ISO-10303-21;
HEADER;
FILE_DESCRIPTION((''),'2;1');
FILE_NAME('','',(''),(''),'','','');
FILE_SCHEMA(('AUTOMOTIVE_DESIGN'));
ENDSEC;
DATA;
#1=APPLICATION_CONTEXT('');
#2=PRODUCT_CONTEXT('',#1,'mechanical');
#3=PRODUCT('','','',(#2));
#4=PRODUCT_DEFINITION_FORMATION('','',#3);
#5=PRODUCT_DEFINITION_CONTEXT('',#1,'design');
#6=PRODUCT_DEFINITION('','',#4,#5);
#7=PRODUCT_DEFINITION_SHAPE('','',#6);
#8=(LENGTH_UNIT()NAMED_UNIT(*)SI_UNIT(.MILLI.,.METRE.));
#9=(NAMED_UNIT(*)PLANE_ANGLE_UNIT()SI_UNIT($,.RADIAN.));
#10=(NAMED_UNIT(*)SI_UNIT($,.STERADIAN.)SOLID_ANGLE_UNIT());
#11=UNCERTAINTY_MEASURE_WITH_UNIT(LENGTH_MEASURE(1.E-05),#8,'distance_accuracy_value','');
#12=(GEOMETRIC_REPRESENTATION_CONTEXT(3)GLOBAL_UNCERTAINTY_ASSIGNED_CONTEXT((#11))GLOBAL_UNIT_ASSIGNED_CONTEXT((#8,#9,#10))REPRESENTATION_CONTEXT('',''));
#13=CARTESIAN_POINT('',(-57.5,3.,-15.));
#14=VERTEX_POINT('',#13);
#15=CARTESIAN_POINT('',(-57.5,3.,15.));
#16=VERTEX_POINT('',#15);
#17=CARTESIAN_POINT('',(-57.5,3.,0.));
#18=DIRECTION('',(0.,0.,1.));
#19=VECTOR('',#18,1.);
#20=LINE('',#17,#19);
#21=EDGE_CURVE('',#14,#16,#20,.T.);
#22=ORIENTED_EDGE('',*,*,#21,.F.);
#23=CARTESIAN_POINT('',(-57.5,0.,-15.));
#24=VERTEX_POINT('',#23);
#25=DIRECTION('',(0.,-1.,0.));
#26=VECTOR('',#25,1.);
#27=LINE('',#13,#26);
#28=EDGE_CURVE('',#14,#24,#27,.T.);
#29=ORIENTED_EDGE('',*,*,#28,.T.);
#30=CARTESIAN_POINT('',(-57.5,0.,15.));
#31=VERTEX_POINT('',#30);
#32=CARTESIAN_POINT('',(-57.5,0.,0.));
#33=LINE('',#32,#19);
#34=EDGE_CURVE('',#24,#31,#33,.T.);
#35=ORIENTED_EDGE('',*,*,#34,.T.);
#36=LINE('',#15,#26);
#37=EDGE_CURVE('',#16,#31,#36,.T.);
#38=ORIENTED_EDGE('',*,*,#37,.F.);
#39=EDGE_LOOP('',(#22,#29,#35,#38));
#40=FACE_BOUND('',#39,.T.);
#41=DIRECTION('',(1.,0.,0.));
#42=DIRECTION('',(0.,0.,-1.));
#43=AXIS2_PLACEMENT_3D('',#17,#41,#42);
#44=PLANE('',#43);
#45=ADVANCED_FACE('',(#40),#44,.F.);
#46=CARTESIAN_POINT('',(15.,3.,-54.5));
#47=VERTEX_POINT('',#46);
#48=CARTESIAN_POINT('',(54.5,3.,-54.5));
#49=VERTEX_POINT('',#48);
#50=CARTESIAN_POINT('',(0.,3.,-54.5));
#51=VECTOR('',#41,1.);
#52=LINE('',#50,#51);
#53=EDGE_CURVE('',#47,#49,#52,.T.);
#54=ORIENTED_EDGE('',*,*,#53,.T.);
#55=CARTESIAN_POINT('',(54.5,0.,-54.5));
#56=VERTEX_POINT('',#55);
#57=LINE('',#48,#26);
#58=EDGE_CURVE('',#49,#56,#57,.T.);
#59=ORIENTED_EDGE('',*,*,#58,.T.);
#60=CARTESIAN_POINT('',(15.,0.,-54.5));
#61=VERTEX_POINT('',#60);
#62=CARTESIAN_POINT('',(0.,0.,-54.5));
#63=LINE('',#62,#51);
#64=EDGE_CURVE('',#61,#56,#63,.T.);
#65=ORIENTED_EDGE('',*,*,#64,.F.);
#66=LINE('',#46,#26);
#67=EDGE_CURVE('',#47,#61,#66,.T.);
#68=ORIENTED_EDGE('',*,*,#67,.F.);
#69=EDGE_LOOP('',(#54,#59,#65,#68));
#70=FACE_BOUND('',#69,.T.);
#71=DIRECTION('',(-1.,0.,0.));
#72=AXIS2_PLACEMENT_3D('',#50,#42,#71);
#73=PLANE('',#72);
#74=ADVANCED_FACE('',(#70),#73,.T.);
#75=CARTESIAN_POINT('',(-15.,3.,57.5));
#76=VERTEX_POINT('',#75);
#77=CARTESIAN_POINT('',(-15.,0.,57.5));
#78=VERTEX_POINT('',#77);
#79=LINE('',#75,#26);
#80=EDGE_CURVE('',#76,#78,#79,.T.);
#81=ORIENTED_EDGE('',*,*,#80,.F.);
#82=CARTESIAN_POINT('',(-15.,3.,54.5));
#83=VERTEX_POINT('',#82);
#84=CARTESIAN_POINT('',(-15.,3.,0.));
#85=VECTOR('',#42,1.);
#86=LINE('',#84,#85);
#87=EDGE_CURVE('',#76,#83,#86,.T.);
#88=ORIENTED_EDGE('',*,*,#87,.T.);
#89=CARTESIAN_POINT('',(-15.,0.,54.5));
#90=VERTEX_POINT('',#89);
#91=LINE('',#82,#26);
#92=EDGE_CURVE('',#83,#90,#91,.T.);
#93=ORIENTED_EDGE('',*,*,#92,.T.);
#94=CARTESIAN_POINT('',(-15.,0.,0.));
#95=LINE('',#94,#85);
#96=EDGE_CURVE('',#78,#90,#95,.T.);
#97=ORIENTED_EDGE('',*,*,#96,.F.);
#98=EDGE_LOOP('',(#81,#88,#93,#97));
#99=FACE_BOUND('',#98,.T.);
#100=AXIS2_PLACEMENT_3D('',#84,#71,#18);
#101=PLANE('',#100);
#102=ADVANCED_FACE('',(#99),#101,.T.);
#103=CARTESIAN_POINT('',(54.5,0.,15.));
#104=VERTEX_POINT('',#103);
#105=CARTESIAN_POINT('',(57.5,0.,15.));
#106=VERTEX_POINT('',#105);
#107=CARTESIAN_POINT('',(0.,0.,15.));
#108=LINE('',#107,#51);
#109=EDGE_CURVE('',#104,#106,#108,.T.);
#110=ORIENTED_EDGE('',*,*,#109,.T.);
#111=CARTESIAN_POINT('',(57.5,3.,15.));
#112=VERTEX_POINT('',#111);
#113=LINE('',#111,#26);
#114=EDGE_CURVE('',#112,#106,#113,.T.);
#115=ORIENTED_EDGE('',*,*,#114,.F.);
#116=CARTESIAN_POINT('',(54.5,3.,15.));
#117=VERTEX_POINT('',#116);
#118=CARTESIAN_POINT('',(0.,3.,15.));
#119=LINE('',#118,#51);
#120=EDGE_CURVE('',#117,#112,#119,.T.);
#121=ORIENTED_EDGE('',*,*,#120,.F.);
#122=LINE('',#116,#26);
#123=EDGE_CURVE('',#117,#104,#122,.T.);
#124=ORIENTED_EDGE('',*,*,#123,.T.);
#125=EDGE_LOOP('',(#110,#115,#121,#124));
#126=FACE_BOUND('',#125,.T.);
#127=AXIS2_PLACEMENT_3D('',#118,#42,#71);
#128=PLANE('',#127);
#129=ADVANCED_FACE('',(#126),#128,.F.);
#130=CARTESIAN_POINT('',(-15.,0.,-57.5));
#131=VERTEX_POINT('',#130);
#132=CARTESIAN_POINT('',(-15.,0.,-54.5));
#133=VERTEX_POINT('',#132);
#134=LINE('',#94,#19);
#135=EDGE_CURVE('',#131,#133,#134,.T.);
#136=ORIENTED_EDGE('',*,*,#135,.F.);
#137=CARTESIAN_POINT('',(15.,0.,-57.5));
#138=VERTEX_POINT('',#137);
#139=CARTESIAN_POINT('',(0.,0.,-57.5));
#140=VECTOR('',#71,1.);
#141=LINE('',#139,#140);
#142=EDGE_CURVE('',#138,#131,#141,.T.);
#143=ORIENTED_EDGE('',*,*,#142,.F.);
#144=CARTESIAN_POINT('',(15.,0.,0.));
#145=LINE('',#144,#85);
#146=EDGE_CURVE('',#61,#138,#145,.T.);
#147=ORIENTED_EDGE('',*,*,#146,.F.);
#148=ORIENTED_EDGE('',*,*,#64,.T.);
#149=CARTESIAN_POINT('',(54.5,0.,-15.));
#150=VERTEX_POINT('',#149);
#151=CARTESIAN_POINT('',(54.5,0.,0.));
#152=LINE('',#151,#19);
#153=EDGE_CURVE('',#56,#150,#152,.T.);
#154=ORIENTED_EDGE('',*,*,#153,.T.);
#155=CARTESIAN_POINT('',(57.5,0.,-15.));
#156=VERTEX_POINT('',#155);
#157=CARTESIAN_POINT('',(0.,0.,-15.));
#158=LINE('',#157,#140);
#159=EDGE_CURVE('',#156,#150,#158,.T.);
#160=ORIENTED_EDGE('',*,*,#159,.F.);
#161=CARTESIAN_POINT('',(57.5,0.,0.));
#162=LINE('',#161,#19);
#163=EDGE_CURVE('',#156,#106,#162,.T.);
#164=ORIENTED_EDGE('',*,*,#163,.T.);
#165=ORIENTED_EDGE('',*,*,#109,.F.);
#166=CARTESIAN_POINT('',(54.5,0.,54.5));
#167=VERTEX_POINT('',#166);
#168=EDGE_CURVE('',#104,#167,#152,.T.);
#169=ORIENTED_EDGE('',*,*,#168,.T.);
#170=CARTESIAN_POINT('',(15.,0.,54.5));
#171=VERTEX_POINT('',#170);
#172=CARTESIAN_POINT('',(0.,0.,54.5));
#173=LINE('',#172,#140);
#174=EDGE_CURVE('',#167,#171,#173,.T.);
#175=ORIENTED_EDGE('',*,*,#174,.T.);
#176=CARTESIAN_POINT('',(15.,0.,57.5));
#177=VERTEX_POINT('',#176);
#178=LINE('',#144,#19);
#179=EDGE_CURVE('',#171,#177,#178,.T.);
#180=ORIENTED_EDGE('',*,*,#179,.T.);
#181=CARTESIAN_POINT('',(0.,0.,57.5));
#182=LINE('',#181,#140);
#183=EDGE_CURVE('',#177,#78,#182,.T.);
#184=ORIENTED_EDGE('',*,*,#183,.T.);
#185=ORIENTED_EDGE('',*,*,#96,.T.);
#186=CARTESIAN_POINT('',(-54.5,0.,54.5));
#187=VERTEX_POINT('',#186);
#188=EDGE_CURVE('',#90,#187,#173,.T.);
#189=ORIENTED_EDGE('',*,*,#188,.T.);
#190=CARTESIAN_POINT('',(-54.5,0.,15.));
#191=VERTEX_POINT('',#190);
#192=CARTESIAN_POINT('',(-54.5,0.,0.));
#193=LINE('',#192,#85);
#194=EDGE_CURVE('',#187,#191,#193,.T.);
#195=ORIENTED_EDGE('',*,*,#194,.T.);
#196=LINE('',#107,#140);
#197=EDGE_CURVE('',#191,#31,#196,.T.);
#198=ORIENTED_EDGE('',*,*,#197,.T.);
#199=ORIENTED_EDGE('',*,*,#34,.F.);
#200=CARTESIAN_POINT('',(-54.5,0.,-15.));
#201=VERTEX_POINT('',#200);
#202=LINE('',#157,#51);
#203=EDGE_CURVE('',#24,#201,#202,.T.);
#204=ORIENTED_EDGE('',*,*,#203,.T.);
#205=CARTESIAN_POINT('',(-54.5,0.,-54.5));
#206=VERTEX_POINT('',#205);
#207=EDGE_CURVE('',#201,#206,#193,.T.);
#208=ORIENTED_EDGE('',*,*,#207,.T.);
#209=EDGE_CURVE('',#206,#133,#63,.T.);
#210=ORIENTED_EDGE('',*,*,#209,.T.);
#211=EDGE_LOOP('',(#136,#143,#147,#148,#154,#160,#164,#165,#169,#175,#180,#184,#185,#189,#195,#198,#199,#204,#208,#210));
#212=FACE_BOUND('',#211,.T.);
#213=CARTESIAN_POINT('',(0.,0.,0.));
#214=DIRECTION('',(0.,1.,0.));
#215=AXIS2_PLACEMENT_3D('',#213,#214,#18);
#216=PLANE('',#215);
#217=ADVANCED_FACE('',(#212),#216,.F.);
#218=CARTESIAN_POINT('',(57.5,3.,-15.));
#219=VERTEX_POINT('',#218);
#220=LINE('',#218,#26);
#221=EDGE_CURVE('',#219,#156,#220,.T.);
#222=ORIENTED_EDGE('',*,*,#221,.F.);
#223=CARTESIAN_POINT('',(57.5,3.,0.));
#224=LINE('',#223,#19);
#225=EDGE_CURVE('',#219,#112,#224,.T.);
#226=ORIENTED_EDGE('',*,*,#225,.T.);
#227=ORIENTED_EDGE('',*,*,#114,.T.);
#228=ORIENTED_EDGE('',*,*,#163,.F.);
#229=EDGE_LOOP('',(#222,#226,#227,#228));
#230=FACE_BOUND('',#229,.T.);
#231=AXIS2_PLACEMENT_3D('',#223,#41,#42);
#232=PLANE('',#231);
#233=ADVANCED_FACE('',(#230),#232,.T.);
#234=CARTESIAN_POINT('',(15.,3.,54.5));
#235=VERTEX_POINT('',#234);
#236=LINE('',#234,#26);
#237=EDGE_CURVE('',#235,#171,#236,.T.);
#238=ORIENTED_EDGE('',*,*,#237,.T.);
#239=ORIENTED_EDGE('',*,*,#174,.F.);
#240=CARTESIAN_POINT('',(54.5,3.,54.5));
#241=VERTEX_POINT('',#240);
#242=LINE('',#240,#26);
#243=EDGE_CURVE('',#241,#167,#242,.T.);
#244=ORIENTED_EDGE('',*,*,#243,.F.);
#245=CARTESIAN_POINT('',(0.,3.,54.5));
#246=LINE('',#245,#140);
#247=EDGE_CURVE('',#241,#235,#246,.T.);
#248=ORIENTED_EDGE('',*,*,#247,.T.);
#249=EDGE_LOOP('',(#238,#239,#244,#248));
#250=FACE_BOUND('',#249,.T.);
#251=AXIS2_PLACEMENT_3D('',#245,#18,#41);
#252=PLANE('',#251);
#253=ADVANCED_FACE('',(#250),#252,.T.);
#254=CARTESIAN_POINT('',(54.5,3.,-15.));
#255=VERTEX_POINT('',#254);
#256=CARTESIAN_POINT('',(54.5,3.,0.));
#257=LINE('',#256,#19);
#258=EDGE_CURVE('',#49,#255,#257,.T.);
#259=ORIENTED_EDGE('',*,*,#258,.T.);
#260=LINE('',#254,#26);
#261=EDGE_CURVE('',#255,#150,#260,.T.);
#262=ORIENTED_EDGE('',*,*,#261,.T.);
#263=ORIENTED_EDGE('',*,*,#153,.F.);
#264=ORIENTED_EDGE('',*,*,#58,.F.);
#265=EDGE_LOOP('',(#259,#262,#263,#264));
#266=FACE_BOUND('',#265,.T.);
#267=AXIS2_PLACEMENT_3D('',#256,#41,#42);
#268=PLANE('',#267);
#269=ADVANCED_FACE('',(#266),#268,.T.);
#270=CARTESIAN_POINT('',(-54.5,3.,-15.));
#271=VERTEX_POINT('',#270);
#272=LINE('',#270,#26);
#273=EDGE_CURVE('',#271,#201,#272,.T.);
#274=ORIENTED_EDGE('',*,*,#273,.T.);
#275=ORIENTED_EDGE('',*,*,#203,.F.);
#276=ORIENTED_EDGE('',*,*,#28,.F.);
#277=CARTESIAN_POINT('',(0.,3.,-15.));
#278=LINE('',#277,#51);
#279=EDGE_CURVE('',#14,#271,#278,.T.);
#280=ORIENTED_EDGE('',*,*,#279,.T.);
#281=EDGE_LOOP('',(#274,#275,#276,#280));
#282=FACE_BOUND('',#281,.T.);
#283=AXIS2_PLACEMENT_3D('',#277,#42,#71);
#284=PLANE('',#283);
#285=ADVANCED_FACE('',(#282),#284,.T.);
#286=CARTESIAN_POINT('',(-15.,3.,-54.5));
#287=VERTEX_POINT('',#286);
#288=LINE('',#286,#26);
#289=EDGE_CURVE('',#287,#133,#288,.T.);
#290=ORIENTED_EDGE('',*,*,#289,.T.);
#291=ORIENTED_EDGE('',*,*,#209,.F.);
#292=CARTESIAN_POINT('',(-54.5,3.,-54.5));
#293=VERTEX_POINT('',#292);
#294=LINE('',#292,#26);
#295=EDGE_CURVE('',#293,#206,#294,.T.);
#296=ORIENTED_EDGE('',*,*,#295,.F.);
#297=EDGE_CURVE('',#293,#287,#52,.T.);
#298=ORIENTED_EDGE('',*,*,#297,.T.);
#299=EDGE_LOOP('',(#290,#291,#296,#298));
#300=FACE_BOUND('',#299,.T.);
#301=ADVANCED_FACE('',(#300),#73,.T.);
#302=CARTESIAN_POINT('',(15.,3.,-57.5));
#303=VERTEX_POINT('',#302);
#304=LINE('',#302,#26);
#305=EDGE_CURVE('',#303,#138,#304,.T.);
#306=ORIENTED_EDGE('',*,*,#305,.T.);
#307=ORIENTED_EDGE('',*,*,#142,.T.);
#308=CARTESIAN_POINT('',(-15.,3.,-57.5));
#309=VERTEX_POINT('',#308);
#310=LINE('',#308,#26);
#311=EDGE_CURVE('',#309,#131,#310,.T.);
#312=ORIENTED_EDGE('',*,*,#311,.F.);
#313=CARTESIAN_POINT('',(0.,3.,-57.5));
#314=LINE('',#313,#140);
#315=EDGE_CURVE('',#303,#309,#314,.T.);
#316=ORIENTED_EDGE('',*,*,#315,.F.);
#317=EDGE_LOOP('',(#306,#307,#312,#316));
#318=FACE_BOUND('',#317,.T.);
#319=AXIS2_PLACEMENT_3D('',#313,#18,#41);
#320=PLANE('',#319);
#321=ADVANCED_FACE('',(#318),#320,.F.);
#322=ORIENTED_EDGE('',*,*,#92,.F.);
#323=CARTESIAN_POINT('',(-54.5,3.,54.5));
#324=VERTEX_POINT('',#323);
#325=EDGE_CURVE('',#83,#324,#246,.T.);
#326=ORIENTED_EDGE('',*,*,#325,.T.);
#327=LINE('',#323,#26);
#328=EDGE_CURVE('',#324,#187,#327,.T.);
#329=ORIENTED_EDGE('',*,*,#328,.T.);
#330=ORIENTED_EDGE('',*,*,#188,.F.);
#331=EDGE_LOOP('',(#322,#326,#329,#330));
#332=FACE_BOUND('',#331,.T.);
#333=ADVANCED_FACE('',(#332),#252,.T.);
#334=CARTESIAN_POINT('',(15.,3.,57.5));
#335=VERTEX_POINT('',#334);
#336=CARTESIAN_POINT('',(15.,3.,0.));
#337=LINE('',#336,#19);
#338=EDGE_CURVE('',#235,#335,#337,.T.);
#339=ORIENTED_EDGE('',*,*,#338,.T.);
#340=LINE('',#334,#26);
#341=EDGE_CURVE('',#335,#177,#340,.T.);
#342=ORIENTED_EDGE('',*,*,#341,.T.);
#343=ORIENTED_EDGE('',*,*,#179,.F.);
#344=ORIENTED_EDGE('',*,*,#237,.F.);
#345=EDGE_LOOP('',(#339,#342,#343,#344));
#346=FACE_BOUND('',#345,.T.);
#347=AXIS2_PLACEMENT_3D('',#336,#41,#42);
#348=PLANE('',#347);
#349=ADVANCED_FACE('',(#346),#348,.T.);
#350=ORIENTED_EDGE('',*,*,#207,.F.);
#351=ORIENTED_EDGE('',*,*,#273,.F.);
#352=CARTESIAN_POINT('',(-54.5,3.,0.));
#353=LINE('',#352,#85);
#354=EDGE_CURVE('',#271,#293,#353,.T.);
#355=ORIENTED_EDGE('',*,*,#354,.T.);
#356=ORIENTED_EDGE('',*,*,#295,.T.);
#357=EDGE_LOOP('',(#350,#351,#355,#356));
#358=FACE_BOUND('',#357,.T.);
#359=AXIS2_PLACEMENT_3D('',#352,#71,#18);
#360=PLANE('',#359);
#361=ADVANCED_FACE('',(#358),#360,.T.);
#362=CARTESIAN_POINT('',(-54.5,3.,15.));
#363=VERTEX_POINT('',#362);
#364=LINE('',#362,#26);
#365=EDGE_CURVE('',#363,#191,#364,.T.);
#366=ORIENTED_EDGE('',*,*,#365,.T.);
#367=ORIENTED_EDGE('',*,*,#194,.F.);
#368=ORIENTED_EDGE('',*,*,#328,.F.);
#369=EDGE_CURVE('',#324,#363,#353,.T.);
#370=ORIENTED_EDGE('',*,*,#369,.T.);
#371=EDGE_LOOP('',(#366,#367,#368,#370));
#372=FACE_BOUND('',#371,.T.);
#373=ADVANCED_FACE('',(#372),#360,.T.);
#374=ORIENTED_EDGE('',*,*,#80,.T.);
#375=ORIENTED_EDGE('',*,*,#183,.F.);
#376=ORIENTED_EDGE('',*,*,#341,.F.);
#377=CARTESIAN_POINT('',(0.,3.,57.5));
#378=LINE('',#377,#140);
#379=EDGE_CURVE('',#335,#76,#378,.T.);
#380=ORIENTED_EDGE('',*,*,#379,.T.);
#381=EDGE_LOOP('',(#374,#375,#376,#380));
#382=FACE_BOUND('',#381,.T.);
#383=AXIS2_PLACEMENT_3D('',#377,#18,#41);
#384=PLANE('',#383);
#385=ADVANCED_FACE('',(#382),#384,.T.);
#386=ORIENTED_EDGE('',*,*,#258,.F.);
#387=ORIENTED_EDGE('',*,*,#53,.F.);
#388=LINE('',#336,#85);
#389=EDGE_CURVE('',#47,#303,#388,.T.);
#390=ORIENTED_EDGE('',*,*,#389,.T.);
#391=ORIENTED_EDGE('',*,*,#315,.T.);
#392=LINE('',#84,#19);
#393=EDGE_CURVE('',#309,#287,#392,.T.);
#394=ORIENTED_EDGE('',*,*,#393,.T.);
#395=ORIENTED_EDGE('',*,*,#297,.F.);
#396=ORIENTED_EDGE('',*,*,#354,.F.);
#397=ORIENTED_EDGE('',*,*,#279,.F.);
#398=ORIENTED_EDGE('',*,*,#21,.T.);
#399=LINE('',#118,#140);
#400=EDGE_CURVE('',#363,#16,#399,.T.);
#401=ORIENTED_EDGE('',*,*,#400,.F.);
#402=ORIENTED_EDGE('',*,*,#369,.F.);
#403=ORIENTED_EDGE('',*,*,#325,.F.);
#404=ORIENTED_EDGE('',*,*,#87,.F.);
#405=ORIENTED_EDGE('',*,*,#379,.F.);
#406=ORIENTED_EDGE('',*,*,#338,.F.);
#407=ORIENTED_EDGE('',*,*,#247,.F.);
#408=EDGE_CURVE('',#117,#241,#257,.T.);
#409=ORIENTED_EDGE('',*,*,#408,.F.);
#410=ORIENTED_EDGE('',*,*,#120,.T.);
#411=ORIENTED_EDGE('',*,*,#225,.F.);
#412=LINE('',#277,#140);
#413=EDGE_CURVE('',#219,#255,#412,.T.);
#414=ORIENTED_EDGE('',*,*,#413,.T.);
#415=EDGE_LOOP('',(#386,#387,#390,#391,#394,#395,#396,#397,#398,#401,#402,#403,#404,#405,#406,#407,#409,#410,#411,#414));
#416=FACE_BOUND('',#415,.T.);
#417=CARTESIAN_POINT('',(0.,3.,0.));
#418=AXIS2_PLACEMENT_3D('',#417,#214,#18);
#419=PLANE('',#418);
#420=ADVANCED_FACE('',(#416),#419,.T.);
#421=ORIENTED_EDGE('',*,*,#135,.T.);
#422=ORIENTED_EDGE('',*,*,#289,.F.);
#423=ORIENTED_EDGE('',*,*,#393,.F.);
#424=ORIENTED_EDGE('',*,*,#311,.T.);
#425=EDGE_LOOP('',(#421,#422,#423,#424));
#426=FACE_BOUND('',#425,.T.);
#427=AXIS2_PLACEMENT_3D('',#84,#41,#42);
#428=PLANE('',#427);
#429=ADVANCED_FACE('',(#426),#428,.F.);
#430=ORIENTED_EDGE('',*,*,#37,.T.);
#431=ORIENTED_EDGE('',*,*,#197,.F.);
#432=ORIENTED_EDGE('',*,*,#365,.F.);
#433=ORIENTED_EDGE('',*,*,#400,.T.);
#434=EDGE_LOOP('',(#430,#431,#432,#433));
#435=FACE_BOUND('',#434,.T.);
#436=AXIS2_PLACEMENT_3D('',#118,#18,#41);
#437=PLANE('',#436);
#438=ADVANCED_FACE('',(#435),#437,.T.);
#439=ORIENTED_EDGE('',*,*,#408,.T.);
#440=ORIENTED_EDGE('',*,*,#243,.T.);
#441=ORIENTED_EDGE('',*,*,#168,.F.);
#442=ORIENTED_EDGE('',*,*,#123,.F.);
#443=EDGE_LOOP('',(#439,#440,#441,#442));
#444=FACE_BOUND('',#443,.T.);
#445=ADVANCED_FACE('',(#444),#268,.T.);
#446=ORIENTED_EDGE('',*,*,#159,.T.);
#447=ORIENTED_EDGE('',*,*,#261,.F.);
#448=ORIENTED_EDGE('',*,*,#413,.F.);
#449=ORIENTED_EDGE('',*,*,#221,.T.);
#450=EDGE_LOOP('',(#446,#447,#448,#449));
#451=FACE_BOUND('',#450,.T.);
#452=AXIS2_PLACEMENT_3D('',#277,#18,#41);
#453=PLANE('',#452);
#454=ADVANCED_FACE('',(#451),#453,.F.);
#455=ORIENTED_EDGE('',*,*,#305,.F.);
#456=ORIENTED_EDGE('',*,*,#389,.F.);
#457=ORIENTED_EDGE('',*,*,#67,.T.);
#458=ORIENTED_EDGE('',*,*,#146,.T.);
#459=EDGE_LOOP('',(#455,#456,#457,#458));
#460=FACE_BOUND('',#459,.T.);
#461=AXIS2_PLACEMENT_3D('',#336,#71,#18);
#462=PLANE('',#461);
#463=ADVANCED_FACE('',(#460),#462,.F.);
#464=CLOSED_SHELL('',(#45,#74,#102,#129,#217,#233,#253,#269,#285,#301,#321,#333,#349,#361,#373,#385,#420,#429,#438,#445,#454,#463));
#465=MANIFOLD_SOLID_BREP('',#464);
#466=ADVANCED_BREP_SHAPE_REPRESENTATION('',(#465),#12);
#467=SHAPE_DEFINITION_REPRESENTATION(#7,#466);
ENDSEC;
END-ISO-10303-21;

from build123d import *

# Parameters (mm, degrees)
SKETCH1_W           = 30
SKETCH1_H           = 3
SKETCH1_W_2         = 3
SKETCH1_H_2         = 30
BOSS_EXTRUDE1_DEPTH = 3


with BuildPart() as part:
    # Sketch1 → Boss-Extrude1 (new body)
    with BuildSketch(Plane(origin=(0, 0, 0), x_dir=(1, 0, 0), z_dir=(0, 1, 0))):
        with Locations((0, -56)):
            Rectangle(SKETCH1_W, SKETCH1_H)
        with Locations((-56, 0)):
            Rectangle(SKETCH1_W_2, SKETCH1_H_2)
        with Locations((0, 56)):
            Rectangle(SKETCH1_W, SKETCH1_H)
        Polygon((-54.5, -54.5), (-54.5, -15), (-54.5, 15), (-54.5, 54.5), (-15, 54.5), (15, 54.5), (54.5, 54.5), (54.5, 15), (54.5, -15), (54.5, -54.5), (15, -54.5), (-15, -54.5), align=None)
        with Locations((56, 0)):
            Rectangle(SKETCH1_W_2, SKETCH1_H_2)
    extrude(amount=BOSS_EXTRUDE1_DEPTH)


solid = part.part
